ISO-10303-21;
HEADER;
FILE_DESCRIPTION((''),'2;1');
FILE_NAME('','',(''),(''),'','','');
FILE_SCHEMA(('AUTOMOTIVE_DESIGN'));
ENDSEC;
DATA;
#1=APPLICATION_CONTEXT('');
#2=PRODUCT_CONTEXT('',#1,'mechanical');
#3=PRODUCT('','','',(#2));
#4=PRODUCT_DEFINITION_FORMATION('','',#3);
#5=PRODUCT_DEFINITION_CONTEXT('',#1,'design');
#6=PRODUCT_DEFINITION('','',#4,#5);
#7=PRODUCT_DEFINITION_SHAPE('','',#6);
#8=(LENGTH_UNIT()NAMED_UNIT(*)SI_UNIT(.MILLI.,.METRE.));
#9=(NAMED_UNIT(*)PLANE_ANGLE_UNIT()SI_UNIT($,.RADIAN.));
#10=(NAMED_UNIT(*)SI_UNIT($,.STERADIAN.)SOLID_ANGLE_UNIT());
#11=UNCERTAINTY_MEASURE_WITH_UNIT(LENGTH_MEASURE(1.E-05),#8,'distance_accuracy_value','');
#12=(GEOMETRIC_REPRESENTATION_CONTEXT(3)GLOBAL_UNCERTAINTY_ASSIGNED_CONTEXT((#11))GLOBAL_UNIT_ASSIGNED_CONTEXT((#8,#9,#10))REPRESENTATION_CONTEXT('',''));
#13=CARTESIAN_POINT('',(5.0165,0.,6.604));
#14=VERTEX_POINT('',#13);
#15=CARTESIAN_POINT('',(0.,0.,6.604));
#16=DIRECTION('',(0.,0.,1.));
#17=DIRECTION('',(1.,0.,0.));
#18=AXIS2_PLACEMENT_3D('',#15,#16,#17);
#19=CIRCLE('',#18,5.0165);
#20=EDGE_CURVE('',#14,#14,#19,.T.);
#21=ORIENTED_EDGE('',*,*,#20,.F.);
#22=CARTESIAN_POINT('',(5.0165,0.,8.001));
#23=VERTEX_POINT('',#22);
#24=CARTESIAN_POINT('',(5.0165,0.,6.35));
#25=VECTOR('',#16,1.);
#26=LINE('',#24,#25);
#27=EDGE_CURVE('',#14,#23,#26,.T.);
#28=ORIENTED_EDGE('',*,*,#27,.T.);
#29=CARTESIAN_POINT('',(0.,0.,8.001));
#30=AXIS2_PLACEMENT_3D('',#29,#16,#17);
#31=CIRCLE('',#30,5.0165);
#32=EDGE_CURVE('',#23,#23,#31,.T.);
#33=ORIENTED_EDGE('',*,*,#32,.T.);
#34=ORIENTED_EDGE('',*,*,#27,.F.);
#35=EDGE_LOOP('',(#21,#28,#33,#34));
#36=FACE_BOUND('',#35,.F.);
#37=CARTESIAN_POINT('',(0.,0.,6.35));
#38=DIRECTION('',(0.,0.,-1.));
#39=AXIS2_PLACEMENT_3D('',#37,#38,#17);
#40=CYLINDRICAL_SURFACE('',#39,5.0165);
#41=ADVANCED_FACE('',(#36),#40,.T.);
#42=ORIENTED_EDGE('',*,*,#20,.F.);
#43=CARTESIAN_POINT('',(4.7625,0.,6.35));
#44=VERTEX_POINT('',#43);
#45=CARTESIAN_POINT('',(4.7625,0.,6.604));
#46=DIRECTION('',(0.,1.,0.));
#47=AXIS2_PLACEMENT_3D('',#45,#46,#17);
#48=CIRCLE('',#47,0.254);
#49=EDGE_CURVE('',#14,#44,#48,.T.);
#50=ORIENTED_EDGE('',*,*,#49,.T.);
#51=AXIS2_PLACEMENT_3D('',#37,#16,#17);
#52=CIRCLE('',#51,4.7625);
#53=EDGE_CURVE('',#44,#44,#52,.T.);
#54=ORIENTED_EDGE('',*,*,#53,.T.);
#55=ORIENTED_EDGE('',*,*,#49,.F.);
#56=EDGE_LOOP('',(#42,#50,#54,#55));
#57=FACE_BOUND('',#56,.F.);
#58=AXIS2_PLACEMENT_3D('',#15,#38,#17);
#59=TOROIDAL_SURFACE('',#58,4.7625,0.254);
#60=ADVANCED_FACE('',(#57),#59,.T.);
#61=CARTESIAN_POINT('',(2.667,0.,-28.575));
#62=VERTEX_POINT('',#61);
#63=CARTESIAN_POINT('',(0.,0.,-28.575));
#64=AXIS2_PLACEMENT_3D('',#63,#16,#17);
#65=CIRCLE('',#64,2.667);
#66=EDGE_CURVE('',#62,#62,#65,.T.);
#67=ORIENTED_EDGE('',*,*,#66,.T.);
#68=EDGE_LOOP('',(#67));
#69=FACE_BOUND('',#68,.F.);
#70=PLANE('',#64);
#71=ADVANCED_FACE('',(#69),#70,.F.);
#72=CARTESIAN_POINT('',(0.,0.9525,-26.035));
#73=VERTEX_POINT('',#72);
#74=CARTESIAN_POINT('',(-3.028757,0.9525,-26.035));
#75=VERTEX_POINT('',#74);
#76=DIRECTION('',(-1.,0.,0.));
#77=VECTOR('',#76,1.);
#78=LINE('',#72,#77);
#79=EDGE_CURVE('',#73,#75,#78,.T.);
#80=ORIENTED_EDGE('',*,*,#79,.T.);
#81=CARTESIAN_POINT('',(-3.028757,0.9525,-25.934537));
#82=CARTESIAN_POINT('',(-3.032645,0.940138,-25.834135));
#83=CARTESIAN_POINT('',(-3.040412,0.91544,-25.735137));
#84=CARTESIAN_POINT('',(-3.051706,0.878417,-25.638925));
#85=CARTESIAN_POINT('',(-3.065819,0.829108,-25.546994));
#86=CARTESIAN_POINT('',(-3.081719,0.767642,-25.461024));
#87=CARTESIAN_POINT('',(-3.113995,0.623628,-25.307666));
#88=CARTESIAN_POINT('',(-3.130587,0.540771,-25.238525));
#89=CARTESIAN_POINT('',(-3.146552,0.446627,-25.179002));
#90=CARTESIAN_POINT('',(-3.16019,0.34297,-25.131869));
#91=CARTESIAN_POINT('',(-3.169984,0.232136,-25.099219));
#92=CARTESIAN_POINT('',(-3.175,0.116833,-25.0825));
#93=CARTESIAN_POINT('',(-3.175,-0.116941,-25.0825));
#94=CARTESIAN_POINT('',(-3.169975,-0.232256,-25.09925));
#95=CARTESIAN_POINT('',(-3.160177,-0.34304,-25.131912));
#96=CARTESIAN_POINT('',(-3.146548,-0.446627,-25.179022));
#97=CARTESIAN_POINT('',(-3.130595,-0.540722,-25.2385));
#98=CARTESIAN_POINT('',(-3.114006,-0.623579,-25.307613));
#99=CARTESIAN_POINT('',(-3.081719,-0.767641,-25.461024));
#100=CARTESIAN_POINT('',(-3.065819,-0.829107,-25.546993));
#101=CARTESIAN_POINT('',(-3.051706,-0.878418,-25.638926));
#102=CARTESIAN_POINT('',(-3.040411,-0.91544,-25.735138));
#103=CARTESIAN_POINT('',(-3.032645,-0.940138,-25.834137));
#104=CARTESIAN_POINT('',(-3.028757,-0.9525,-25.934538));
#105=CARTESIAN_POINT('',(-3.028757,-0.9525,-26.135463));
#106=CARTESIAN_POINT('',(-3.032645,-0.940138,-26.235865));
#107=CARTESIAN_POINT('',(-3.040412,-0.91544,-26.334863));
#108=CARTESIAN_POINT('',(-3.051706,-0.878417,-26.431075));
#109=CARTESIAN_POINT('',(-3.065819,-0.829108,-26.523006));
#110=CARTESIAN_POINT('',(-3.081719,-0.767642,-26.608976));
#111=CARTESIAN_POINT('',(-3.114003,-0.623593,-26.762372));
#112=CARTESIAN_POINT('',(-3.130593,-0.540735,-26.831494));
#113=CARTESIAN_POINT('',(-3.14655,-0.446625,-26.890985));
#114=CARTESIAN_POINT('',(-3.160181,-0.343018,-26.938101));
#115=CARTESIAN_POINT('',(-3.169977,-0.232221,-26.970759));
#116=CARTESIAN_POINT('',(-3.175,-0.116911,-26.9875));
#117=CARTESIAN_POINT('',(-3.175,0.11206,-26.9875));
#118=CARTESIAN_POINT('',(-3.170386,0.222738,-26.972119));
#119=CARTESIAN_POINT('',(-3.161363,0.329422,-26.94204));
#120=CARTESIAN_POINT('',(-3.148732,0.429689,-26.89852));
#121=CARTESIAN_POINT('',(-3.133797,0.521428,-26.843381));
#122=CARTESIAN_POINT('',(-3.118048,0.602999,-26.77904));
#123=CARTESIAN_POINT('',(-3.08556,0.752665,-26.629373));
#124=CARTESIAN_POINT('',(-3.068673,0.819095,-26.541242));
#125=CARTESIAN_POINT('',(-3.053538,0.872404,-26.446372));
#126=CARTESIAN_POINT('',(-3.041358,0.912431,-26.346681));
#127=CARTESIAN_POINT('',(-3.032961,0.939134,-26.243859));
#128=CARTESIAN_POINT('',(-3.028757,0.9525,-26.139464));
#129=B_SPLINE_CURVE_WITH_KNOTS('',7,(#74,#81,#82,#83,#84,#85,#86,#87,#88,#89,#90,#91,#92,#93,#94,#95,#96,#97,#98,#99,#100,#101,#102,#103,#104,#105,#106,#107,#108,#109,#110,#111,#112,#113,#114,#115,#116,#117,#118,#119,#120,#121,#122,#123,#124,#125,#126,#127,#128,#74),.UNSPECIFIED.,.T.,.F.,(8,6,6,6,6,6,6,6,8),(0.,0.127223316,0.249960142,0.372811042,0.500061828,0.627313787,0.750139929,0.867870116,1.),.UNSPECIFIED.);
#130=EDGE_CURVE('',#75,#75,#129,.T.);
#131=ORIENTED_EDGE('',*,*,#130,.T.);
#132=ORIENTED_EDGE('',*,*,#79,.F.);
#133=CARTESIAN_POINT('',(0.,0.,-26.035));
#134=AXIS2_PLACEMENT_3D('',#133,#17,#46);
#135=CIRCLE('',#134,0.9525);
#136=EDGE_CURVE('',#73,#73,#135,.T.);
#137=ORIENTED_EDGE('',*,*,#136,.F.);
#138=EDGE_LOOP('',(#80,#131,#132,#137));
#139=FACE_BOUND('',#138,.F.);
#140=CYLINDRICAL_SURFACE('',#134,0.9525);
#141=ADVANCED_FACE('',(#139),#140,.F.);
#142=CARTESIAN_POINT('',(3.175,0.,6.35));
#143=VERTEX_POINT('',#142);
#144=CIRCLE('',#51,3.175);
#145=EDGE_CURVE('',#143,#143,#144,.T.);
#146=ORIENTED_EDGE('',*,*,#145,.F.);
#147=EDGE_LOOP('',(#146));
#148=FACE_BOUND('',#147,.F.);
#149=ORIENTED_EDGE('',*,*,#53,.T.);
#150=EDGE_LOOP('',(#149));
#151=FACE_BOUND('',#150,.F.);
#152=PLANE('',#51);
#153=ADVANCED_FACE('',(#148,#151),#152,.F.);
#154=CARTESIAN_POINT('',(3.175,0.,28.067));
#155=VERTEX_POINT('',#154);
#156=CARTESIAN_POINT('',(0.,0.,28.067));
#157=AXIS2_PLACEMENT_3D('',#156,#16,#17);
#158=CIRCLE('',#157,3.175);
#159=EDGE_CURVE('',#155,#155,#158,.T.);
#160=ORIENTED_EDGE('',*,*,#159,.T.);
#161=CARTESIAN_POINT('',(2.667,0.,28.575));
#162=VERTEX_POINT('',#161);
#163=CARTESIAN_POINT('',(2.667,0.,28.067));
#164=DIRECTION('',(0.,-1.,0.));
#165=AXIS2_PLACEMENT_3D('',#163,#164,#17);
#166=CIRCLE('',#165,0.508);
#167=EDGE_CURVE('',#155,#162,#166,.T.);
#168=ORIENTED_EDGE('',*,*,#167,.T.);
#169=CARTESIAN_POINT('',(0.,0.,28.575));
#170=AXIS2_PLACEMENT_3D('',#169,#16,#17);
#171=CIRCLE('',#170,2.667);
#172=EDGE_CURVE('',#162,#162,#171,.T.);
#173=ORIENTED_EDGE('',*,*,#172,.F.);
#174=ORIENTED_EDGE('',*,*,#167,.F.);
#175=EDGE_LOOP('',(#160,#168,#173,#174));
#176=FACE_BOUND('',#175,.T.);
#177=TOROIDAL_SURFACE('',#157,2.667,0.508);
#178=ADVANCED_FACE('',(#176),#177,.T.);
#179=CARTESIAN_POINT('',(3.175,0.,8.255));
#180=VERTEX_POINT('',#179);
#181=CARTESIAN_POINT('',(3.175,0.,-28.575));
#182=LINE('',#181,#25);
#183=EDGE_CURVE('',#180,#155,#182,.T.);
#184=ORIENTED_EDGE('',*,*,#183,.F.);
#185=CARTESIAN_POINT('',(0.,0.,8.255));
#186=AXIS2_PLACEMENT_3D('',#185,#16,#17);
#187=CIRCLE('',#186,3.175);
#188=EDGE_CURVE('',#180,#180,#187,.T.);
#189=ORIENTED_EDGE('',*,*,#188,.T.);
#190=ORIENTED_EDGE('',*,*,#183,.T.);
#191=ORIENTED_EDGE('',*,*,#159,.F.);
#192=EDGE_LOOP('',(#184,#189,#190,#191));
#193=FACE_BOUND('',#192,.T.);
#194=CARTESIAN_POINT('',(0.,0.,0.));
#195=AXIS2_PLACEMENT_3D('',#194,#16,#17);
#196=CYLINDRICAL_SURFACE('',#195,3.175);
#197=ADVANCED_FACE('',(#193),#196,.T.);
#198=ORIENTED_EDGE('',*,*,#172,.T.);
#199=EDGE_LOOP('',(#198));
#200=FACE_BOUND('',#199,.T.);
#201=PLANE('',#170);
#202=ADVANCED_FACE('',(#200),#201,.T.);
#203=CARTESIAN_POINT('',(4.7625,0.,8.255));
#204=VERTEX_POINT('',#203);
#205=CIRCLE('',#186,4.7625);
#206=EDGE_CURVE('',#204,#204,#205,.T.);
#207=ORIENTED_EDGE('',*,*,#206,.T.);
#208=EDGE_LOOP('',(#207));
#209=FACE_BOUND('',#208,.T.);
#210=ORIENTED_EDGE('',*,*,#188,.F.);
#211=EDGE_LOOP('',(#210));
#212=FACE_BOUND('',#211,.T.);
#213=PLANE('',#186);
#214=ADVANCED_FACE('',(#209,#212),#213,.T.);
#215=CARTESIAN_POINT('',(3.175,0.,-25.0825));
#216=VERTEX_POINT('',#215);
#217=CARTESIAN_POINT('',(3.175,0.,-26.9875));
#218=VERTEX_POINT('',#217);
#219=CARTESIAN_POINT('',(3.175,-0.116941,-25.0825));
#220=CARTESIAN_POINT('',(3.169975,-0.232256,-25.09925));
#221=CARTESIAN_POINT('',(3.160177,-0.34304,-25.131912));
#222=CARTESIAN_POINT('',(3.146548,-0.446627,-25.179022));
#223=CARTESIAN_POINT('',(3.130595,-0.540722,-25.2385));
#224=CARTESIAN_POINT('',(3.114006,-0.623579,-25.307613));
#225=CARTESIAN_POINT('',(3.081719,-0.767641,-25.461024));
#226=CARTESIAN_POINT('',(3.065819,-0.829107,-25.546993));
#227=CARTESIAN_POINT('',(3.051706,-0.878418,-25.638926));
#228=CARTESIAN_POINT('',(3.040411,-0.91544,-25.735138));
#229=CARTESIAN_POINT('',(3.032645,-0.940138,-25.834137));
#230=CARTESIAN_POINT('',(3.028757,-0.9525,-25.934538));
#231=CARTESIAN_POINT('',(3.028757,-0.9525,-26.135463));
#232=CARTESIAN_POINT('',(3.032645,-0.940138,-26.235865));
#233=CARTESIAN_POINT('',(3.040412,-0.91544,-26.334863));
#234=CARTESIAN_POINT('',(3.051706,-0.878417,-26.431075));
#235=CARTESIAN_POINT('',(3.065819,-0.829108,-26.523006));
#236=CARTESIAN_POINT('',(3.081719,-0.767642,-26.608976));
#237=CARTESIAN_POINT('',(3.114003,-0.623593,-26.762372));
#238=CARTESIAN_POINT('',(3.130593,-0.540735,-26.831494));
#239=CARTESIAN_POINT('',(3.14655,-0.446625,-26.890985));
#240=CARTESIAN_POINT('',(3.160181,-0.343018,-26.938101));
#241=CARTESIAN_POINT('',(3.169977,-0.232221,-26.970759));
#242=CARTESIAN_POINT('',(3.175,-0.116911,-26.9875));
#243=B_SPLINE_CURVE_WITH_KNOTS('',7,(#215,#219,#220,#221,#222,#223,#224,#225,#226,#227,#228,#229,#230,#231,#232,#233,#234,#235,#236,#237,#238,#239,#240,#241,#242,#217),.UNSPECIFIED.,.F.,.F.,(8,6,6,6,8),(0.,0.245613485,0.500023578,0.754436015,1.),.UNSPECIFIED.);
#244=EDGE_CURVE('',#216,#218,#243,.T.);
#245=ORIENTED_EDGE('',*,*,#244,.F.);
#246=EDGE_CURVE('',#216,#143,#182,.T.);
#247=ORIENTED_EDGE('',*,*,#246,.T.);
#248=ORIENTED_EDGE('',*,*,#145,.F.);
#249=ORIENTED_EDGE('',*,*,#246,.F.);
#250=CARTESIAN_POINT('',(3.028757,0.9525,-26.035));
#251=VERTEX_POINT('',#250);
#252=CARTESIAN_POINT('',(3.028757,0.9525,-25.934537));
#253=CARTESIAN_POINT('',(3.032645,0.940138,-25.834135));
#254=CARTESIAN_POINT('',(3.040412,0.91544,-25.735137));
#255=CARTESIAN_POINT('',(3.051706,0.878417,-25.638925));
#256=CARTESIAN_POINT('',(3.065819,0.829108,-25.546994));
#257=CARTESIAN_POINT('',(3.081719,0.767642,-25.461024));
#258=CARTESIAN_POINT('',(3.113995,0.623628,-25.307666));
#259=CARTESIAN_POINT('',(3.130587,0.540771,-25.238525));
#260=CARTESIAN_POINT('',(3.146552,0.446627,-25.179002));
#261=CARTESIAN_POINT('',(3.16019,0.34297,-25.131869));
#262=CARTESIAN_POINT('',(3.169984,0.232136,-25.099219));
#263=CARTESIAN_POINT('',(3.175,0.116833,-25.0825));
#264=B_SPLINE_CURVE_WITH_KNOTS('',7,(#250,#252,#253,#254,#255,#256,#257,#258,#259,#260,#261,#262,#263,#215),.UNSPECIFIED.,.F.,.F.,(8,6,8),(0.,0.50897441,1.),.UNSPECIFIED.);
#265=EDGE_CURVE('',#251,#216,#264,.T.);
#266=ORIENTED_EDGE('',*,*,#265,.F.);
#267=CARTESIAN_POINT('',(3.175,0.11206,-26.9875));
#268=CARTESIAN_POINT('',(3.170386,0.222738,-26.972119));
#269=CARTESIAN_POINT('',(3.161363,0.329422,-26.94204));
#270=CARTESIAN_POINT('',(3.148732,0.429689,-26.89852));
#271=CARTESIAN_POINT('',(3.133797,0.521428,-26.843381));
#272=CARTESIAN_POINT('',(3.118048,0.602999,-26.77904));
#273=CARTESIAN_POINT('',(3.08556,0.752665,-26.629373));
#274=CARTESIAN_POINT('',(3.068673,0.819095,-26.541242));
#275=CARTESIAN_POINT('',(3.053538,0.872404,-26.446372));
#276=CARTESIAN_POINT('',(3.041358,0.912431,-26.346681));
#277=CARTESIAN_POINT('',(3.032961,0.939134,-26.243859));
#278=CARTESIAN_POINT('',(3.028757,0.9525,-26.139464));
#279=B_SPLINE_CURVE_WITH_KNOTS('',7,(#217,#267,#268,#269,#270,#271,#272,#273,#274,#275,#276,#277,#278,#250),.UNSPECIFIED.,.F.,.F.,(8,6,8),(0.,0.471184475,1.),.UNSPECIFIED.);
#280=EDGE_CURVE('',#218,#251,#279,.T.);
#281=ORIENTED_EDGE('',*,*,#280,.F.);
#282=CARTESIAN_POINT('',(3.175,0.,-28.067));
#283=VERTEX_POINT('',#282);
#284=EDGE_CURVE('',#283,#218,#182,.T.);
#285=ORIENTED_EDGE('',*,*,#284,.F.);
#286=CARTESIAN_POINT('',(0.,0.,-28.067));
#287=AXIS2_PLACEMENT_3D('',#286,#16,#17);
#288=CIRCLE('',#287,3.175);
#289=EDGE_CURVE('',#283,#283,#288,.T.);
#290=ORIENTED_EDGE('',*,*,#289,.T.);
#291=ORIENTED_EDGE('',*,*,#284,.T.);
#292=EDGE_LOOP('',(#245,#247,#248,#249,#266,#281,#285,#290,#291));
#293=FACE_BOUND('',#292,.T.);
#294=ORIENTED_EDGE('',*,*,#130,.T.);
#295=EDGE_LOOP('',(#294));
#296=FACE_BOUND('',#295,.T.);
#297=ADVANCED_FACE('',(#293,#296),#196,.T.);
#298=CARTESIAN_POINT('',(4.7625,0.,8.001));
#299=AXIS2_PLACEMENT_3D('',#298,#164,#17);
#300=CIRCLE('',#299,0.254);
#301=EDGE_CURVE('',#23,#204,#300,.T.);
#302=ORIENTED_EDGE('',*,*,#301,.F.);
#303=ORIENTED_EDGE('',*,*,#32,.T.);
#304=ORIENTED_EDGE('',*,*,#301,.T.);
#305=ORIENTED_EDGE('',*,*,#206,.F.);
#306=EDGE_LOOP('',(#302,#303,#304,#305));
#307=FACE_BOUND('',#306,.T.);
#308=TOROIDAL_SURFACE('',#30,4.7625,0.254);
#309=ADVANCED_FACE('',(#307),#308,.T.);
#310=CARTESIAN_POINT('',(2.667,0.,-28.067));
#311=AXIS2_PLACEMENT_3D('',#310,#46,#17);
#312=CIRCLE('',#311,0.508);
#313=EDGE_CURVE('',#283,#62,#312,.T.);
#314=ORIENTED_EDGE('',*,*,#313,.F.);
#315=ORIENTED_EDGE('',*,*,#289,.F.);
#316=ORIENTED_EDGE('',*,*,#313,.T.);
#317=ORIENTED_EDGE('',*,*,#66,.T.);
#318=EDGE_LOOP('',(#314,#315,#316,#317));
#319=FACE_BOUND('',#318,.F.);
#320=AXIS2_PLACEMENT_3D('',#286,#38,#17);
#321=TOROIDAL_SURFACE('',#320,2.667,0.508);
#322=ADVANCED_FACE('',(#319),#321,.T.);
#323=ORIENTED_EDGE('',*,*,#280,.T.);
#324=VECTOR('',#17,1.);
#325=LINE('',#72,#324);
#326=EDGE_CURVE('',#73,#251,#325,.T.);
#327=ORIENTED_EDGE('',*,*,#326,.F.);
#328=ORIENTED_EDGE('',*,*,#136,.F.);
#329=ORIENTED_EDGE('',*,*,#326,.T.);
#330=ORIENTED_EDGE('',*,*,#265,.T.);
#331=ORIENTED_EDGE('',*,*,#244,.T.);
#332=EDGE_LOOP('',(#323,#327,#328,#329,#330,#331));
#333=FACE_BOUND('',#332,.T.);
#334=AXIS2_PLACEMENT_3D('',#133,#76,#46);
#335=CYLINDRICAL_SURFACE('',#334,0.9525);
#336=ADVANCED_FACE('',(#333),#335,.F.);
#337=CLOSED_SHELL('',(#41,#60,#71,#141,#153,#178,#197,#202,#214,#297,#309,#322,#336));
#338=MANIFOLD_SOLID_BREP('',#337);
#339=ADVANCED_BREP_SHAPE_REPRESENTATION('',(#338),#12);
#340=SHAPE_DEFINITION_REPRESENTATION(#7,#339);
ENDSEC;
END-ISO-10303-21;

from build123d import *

# Parameters (mm, degrees)
F0_R          = 3.175
F1_DEPTH      = 28.575
F3_R          = 5.0165
F4_DEPTH      = 1.905
F5_R          = 0.254
F6_R          = 0.9525
F7_DEPTH      = 5.0175
F7_DEPTH_BACK = 25.4
F8_R          = 0.508


with BuildPart() as f1:
    # F0 (on Top) → F1 (new body, symmetric)
    with BuildSketch(Plane.XY):
        Circle(F0_R)
    extrude(amount=F1_DEPTH, both=True)

    # F3 (on offset) → F4 (join)
    with BuildSketch(Plane.XY.offset(6.35)):
        Circle(F3_R)
    extrude(amount=F4_DEPTH)

    # F5
    f5_edges = [f1.edges().sort_by_distance(p)[0] for p in [
        (-5.0165, 0, 8.255),
        (-5.0165, 0, 6.35),
    ]]
    fillet(f5_edges, radius=F5_R)

    # F6 (on Right) → F7 (cut, two sides)
    with BuildSketch(Plane.YZ) as f7_sk:
        with Locations((0, -26.035)):
            Circle(F6_R)
    extrude(amount=-F7_DEPTH, mode=Mode.SUBTRACT)
    extrude(f7_sk.sketch, amount=F7_DEPTH_BACK, mode=Mode.SUBTRACT)

    # F8
    f8_edges = [f1.edges().sort_by_distance(p)[0] for p in [
        (-3.175, 0, 28.575),
        (-3.175, 0, -28.575),
    ]]
    fillet(f8_edges, radius=F8_R)


solid = f1.part
